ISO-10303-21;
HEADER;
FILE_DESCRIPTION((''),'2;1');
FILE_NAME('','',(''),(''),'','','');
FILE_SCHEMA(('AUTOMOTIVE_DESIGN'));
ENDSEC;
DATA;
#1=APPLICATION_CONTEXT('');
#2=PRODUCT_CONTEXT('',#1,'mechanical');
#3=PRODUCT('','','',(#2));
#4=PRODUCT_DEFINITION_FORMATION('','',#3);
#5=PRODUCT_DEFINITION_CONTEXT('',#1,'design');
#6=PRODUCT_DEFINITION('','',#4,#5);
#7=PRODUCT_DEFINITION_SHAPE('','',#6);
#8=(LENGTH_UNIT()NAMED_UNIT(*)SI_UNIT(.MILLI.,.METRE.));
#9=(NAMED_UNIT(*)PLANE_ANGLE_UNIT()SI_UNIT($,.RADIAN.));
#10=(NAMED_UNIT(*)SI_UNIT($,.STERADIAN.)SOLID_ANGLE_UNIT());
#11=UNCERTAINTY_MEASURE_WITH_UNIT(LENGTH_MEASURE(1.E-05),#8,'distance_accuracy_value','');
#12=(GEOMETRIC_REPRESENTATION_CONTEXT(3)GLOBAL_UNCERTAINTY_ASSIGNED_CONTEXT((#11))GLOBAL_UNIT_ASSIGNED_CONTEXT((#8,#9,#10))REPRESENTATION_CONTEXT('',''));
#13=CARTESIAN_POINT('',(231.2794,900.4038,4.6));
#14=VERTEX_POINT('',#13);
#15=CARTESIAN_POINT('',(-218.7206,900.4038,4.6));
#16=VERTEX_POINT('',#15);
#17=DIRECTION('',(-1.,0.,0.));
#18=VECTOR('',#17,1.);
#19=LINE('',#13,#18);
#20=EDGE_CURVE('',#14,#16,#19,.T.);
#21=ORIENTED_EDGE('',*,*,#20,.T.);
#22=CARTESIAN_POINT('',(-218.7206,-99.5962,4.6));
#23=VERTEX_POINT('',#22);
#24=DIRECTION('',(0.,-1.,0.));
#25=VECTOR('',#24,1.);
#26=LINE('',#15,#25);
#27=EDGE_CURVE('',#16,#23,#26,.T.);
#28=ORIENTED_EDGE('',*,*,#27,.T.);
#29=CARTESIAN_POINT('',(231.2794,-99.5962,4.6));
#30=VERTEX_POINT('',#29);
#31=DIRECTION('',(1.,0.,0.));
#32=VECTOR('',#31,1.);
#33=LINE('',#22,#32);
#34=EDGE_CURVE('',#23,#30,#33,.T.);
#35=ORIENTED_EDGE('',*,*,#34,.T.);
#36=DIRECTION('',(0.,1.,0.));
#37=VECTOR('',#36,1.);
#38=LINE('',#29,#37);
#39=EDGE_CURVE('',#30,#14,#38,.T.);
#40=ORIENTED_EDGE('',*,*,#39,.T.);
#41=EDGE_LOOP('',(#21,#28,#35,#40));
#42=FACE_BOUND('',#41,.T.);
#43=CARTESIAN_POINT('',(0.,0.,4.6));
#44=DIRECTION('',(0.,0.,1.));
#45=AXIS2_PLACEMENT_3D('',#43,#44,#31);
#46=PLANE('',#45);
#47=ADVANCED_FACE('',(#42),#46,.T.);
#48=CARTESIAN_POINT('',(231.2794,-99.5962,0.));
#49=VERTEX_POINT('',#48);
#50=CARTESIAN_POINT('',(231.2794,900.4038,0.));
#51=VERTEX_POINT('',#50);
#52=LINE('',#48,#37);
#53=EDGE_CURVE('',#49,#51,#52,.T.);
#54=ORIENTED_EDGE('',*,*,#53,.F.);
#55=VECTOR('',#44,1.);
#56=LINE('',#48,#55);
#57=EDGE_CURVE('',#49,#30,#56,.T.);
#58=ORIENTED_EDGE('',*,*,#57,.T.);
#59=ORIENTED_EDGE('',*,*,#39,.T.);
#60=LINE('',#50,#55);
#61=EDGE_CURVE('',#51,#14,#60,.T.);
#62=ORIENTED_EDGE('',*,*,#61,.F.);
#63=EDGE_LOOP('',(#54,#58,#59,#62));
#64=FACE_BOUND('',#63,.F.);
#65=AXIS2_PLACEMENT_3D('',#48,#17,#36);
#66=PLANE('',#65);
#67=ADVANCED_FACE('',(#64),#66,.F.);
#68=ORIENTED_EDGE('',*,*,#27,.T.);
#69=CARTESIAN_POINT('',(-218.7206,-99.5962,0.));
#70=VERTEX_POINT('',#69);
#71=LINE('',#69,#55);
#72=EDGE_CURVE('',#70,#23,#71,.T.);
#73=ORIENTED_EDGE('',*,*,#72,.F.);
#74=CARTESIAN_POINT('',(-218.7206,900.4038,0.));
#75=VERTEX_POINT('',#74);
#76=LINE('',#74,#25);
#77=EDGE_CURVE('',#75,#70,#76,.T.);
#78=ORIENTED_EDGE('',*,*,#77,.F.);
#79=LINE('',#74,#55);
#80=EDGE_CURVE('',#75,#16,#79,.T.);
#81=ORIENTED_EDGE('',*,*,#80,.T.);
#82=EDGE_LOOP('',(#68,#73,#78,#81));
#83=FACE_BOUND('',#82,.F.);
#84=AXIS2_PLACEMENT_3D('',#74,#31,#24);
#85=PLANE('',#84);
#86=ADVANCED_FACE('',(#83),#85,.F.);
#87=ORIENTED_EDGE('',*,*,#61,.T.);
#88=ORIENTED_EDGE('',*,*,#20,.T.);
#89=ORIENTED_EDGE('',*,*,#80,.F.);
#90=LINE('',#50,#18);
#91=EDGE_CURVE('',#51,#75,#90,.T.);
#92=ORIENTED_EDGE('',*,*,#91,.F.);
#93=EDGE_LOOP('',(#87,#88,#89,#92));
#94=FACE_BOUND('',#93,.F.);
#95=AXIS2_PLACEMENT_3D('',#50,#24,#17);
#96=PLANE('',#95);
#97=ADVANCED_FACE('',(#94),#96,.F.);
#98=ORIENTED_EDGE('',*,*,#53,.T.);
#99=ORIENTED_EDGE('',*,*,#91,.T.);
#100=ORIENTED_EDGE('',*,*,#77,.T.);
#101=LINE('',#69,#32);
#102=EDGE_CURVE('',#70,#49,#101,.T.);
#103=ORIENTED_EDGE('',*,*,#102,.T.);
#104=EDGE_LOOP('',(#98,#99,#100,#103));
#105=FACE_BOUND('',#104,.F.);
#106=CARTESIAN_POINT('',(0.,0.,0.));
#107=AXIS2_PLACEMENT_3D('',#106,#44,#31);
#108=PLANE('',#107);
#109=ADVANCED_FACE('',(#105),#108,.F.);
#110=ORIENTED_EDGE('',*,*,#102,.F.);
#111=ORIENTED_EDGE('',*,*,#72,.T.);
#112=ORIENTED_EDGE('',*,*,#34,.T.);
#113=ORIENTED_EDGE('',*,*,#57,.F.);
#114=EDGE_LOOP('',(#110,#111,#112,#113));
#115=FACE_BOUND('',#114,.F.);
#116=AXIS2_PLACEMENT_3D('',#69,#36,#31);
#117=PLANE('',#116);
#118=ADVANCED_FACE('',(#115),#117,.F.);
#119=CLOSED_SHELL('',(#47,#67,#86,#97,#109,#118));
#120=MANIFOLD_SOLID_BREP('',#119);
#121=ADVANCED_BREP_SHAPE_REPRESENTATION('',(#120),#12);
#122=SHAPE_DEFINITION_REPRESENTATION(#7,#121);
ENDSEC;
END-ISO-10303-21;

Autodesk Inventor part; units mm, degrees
ref_plane "YZ Plane" through (0, 0, 0) normal (1, 0, 0) x (0, 1, 0)
ref_plane "XZ Plane" through (0, 0, 0) normal (0, 1, 0) x (-1, 0, 0)
ref_plane "XY Plane" through (0, 0, 0) normal (0, 0, 1) x (1, 0, 0)
sketch "Sketch1" plane through (0, 0, 0) normal (0, 0, 1) x (1, 0, 0)
  line L0 (-218.7206, -99.5962) -> (231.2794, -99.5962)
  line L1 (231.2794, -99.5962) -> (231.2794, 900.4038)
  line L2 (231.2794, 900.4038) -> (-218.7206, 900.4038)
  line L3 (-218.7206, 900.4038) -> (-218.7206, -99.5962)
  point P0 (0, 0)
  dimension "d0" = 450
  dimension "d1" = 1000
extrude "Extrusion1" add sketch "Sketch1" along normal blind 4.6
properties part number "ADREF-000038" material "Steel, Mild"
